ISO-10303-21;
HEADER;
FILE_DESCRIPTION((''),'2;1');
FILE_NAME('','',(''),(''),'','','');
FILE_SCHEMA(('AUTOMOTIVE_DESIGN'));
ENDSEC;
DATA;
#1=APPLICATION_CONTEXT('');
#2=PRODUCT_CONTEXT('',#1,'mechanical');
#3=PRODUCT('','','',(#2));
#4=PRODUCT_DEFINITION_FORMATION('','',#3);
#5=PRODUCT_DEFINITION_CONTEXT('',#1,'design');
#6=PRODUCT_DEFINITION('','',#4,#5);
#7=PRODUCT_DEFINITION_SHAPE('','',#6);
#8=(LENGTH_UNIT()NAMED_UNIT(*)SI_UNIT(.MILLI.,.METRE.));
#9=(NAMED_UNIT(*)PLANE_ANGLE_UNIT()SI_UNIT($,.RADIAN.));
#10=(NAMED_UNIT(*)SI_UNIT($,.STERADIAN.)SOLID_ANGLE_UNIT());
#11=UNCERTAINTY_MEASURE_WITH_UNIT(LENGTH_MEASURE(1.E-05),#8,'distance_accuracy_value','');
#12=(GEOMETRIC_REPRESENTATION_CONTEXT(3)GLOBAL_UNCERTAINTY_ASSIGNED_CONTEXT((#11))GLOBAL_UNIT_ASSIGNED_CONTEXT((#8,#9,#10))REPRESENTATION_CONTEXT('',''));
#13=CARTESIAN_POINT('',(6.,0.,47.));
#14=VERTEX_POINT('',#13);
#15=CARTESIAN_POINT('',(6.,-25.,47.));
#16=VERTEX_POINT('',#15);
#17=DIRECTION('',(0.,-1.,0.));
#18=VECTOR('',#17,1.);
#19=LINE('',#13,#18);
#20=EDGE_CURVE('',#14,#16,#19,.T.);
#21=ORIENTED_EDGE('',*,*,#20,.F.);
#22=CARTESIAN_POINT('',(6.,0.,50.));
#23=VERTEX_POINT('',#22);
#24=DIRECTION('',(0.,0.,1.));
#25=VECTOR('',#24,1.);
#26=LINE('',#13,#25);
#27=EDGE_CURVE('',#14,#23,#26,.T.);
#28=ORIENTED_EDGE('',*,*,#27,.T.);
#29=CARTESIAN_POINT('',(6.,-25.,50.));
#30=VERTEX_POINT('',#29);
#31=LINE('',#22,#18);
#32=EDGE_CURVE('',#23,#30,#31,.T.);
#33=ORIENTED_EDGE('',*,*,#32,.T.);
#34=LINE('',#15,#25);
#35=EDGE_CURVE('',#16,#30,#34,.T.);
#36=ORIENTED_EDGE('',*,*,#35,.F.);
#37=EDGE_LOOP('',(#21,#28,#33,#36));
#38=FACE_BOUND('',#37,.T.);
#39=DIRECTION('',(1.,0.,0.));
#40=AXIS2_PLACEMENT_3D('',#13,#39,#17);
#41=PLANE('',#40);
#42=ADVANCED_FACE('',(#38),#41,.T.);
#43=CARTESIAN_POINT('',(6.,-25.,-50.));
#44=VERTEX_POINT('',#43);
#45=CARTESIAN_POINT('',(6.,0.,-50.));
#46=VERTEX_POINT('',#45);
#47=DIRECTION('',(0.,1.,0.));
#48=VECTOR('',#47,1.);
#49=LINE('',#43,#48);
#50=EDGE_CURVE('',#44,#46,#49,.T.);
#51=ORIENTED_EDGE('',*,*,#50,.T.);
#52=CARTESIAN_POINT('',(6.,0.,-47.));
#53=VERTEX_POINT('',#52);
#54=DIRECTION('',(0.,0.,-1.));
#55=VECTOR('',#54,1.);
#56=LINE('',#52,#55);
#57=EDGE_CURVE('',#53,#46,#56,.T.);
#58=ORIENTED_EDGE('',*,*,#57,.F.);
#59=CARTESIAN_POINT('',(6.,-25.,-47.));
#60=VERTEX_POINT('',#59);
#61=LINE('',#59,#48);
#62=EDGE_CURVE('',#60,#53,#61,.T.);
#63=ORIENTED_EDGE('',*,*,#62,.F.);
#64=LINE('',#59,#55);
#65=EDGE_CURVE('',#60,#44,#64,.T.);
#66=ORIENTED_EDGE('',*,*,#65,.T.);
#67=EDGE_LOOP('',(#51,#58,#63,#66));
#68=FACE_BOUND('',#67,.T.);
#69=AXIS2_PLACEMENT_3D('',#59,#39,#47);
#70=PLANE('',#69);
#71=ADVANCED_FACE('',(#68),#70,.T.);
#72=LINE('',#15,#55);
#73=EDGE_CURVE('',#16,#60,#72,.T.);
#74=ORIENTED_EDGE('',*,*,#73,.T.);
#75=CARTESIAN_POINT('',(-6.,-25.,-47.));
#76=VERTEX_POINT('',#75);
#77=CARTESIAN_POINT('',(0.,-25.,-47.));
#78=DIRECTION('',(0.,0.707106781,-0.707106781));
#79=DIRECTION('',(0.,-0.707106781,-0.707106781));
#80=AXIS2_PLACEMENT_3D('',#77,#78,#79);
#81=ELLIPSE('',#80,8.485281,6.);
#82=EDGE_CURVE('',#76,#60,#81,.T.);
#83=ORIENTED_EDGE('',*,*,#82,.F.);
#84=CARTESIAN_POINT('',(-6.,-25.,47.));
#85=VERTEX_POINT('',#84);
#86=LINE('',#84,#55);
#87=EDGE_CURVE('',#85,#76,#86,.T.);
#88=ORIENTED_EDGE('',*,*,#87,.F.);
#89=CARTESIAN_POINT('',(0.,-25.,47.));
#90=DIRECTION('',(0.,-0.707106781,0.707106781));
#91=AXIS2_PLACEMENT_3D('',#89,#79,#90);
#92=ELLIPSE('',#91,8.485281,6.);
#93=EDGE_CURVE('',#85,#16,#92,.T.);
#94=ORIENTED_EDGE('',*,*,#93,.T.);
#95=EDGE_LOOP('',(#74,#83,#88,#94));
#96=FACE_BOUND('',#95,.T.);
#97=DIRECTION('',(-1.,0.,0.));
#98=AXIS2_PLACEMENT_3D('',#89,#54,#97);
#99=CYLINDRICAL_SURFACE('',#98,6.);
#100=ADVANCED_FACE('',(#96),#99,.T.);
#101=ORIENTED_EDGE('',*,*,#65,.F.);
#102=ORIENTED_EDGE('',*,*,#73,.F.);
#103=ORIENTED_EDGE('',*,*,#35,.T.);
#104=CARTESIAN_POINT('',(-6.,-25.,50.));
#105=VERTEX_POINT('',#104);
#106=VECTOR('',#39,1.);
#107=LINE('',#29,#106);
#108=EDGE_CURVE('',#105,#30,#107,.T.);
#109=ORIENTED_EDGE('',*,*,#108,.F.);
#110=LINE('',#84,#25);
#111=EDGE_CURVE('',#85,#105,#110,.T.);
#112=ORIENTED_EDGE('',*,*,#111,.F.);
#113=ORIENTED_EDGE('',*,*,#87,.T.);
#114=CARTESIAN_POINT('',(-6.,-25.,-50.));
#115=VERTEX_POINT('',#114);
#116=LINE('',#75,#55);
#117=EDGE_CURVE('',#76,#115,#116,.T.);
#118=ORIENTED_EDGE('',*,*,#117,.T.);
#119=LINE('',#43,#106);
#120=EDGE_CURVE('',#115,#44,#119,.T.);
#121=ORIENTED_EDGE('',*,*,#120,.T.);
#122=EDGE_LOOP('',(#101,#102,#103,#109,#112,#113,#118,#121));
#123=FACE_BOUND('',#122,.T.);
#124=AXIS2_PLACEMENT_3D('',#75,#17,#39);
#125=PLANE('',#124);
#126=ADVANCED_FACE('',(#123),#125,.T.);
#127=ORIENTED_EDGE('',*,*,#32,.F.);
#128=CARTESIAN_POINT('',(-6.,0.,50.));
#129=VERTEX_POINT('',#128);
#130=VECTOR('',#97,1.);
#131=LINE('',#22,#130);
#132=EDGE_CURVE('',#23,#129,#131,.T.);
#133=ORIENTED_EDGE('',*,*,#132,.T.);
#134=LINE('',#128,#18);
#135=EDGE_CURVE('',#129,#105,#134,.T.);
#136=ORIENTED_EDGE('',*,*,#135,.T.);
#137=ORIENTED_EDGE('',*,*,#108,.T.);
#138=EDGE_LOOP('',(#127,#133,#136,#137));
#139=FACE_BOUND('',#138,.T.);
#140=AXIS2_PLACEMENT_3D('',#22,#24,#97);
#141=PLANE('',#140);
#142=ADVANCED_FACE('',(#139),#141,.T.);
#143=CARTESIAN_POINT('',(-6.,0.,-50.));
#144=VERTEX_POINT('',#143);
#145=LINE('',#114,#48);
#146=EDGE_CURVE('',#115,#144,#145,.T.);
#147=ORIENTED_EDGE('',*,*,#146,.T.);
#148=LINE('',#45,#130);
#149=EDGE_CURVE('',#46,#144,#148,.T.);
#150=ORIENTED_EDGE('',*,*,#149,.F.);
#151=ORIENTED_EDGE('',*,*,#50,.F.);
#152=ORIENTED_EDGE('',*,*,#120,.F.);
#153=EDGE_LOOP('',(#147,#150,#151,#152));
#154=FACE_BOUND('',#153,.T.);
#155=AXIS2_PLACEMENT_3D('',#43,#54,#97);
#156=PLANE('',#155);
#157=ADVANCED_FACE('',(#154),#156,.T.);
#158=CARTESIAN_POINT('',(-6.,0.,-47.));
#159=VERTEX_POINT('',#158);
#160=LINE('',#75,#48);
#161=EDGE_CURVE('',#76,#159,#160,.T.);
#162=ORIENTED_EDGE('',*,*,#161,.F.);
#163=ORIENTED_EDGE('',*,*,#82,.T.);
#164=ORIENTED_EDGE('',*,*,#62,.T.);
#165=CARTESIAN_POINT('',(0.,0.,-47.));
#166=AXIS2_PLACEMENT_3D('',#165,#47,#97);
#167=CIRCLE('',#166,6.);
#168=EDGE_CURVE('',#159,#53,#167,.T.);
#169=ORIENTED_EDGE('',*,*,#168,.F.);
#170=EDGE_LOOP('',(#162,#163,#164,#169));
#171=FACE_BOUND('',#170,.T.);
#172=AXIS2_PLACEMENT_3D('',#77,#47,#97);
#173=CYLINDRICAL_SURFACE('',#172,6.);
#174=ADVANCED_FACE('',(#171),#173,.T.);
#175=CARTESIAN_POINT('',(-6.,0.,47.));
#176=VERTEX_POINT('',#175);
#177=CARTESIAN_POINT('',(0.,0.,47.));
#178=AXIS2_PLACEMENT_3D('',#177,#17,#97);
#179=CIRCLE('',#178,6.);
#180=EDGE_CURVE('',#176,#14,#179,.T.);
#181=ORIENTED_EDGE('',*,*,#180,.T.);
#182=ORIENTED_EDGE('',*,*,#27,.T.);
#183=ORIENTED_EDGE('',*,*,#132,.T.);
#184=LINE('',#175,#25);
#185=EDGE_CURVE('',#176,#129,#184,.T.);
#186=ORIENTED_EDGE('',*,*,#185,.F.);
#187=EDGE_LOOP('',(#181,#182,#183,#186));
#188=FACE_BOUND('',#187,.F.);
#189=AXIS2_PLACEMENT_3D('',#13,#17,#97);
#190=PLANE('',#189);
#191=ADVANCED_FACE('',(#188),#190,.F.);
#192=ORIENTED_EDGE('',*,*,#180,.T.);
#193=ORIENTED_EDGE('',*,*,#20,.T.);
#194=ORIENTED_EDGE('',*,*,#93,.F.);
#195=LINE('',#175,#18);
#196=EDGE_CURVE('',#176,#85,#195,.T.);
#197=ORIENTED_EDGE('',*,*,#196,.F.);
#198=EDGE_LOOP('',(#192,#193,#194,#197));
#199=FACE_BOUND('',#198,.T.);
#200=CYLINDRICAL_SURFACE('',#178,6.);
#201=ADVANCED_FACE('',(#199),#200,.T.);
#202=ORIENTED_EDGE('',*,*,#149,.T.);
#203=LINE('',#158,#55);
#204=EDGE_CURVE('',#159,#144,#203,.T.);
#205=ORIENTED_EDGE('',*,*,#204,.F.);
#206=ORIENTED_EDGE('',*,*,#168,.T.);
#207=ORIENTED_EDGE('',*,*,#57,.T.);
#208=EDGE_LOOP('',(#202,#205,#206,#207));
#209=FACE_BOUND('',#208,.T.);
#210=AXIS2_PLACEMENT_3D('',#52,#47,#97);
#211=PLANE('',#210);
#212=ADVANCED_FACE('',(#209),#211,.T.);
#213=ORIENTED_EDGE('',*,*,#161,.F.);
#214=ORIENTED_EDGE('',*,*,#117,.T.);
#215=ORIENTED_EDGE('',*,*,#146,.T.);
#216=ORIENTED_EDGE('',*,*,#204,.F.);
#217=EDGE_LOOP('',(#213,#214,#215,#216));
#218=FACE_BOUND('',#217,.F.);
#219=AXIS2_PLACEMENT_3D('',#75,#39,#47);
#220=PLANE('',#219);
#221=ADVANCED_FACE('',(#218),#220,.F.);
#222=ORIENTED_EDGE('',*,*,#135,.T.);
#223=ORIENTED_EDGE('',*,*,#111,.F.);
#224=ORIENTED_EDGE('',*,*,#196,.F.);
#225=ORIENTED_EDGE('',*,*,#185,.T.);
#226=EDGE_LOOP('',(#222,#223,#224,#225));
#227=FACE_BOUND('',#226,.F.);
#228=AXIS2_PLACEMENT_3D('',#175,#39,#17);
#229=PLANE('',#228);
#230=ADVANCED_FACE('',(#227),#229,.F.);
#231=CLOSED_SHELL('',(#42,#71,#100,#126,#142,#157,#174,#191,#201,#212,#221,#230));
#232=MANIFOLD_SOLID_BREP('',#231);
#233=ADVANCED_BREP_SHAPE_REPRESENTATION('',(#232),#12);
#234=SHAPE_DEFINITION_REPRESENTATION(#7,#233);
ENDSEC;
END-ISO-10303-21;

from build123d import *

# Parameters (mm, degrees)
F3_DEPTH = 3
F4_DEPTH = 3


with BuildPart() as f2:
    # F2: sweep along a path in F0
    with BuildLine(Plane.YZ) as f2_path:
        Line((0, 47), (-25, 47))
        Line((-25, 47), (-25, -47))
        Line((-25, -47), (0, -47))
    # F1 (on Front) → F2 (sweep)
    with BuildSketch(Plane.XZ):
        with BuildLine():
            Line((6, 47), (-6, 47))
            ThreePointArc((-6, 47), (0, 41), (6, 47))
        make_face()
    sweep(path=f2_path.line, transition=Transition.RIGHT)

    # F3 (add): a face of the model
    f3_faces = [f2.faces().sort_by_distance(p)[0] for p in [
        (0, -12.5, 47),
    ]]
    extrude(f3_faces, amount=F3_DEPTH)

    # F4 (add): a face of the model
    f4_faces = [f2.faces().sort_by_distance(p)[0] for p in [
        (0, -12.5, -47),
    ]]
    extrude(f4_faces, amount=F4_DEPTH)


solid = f2.part
